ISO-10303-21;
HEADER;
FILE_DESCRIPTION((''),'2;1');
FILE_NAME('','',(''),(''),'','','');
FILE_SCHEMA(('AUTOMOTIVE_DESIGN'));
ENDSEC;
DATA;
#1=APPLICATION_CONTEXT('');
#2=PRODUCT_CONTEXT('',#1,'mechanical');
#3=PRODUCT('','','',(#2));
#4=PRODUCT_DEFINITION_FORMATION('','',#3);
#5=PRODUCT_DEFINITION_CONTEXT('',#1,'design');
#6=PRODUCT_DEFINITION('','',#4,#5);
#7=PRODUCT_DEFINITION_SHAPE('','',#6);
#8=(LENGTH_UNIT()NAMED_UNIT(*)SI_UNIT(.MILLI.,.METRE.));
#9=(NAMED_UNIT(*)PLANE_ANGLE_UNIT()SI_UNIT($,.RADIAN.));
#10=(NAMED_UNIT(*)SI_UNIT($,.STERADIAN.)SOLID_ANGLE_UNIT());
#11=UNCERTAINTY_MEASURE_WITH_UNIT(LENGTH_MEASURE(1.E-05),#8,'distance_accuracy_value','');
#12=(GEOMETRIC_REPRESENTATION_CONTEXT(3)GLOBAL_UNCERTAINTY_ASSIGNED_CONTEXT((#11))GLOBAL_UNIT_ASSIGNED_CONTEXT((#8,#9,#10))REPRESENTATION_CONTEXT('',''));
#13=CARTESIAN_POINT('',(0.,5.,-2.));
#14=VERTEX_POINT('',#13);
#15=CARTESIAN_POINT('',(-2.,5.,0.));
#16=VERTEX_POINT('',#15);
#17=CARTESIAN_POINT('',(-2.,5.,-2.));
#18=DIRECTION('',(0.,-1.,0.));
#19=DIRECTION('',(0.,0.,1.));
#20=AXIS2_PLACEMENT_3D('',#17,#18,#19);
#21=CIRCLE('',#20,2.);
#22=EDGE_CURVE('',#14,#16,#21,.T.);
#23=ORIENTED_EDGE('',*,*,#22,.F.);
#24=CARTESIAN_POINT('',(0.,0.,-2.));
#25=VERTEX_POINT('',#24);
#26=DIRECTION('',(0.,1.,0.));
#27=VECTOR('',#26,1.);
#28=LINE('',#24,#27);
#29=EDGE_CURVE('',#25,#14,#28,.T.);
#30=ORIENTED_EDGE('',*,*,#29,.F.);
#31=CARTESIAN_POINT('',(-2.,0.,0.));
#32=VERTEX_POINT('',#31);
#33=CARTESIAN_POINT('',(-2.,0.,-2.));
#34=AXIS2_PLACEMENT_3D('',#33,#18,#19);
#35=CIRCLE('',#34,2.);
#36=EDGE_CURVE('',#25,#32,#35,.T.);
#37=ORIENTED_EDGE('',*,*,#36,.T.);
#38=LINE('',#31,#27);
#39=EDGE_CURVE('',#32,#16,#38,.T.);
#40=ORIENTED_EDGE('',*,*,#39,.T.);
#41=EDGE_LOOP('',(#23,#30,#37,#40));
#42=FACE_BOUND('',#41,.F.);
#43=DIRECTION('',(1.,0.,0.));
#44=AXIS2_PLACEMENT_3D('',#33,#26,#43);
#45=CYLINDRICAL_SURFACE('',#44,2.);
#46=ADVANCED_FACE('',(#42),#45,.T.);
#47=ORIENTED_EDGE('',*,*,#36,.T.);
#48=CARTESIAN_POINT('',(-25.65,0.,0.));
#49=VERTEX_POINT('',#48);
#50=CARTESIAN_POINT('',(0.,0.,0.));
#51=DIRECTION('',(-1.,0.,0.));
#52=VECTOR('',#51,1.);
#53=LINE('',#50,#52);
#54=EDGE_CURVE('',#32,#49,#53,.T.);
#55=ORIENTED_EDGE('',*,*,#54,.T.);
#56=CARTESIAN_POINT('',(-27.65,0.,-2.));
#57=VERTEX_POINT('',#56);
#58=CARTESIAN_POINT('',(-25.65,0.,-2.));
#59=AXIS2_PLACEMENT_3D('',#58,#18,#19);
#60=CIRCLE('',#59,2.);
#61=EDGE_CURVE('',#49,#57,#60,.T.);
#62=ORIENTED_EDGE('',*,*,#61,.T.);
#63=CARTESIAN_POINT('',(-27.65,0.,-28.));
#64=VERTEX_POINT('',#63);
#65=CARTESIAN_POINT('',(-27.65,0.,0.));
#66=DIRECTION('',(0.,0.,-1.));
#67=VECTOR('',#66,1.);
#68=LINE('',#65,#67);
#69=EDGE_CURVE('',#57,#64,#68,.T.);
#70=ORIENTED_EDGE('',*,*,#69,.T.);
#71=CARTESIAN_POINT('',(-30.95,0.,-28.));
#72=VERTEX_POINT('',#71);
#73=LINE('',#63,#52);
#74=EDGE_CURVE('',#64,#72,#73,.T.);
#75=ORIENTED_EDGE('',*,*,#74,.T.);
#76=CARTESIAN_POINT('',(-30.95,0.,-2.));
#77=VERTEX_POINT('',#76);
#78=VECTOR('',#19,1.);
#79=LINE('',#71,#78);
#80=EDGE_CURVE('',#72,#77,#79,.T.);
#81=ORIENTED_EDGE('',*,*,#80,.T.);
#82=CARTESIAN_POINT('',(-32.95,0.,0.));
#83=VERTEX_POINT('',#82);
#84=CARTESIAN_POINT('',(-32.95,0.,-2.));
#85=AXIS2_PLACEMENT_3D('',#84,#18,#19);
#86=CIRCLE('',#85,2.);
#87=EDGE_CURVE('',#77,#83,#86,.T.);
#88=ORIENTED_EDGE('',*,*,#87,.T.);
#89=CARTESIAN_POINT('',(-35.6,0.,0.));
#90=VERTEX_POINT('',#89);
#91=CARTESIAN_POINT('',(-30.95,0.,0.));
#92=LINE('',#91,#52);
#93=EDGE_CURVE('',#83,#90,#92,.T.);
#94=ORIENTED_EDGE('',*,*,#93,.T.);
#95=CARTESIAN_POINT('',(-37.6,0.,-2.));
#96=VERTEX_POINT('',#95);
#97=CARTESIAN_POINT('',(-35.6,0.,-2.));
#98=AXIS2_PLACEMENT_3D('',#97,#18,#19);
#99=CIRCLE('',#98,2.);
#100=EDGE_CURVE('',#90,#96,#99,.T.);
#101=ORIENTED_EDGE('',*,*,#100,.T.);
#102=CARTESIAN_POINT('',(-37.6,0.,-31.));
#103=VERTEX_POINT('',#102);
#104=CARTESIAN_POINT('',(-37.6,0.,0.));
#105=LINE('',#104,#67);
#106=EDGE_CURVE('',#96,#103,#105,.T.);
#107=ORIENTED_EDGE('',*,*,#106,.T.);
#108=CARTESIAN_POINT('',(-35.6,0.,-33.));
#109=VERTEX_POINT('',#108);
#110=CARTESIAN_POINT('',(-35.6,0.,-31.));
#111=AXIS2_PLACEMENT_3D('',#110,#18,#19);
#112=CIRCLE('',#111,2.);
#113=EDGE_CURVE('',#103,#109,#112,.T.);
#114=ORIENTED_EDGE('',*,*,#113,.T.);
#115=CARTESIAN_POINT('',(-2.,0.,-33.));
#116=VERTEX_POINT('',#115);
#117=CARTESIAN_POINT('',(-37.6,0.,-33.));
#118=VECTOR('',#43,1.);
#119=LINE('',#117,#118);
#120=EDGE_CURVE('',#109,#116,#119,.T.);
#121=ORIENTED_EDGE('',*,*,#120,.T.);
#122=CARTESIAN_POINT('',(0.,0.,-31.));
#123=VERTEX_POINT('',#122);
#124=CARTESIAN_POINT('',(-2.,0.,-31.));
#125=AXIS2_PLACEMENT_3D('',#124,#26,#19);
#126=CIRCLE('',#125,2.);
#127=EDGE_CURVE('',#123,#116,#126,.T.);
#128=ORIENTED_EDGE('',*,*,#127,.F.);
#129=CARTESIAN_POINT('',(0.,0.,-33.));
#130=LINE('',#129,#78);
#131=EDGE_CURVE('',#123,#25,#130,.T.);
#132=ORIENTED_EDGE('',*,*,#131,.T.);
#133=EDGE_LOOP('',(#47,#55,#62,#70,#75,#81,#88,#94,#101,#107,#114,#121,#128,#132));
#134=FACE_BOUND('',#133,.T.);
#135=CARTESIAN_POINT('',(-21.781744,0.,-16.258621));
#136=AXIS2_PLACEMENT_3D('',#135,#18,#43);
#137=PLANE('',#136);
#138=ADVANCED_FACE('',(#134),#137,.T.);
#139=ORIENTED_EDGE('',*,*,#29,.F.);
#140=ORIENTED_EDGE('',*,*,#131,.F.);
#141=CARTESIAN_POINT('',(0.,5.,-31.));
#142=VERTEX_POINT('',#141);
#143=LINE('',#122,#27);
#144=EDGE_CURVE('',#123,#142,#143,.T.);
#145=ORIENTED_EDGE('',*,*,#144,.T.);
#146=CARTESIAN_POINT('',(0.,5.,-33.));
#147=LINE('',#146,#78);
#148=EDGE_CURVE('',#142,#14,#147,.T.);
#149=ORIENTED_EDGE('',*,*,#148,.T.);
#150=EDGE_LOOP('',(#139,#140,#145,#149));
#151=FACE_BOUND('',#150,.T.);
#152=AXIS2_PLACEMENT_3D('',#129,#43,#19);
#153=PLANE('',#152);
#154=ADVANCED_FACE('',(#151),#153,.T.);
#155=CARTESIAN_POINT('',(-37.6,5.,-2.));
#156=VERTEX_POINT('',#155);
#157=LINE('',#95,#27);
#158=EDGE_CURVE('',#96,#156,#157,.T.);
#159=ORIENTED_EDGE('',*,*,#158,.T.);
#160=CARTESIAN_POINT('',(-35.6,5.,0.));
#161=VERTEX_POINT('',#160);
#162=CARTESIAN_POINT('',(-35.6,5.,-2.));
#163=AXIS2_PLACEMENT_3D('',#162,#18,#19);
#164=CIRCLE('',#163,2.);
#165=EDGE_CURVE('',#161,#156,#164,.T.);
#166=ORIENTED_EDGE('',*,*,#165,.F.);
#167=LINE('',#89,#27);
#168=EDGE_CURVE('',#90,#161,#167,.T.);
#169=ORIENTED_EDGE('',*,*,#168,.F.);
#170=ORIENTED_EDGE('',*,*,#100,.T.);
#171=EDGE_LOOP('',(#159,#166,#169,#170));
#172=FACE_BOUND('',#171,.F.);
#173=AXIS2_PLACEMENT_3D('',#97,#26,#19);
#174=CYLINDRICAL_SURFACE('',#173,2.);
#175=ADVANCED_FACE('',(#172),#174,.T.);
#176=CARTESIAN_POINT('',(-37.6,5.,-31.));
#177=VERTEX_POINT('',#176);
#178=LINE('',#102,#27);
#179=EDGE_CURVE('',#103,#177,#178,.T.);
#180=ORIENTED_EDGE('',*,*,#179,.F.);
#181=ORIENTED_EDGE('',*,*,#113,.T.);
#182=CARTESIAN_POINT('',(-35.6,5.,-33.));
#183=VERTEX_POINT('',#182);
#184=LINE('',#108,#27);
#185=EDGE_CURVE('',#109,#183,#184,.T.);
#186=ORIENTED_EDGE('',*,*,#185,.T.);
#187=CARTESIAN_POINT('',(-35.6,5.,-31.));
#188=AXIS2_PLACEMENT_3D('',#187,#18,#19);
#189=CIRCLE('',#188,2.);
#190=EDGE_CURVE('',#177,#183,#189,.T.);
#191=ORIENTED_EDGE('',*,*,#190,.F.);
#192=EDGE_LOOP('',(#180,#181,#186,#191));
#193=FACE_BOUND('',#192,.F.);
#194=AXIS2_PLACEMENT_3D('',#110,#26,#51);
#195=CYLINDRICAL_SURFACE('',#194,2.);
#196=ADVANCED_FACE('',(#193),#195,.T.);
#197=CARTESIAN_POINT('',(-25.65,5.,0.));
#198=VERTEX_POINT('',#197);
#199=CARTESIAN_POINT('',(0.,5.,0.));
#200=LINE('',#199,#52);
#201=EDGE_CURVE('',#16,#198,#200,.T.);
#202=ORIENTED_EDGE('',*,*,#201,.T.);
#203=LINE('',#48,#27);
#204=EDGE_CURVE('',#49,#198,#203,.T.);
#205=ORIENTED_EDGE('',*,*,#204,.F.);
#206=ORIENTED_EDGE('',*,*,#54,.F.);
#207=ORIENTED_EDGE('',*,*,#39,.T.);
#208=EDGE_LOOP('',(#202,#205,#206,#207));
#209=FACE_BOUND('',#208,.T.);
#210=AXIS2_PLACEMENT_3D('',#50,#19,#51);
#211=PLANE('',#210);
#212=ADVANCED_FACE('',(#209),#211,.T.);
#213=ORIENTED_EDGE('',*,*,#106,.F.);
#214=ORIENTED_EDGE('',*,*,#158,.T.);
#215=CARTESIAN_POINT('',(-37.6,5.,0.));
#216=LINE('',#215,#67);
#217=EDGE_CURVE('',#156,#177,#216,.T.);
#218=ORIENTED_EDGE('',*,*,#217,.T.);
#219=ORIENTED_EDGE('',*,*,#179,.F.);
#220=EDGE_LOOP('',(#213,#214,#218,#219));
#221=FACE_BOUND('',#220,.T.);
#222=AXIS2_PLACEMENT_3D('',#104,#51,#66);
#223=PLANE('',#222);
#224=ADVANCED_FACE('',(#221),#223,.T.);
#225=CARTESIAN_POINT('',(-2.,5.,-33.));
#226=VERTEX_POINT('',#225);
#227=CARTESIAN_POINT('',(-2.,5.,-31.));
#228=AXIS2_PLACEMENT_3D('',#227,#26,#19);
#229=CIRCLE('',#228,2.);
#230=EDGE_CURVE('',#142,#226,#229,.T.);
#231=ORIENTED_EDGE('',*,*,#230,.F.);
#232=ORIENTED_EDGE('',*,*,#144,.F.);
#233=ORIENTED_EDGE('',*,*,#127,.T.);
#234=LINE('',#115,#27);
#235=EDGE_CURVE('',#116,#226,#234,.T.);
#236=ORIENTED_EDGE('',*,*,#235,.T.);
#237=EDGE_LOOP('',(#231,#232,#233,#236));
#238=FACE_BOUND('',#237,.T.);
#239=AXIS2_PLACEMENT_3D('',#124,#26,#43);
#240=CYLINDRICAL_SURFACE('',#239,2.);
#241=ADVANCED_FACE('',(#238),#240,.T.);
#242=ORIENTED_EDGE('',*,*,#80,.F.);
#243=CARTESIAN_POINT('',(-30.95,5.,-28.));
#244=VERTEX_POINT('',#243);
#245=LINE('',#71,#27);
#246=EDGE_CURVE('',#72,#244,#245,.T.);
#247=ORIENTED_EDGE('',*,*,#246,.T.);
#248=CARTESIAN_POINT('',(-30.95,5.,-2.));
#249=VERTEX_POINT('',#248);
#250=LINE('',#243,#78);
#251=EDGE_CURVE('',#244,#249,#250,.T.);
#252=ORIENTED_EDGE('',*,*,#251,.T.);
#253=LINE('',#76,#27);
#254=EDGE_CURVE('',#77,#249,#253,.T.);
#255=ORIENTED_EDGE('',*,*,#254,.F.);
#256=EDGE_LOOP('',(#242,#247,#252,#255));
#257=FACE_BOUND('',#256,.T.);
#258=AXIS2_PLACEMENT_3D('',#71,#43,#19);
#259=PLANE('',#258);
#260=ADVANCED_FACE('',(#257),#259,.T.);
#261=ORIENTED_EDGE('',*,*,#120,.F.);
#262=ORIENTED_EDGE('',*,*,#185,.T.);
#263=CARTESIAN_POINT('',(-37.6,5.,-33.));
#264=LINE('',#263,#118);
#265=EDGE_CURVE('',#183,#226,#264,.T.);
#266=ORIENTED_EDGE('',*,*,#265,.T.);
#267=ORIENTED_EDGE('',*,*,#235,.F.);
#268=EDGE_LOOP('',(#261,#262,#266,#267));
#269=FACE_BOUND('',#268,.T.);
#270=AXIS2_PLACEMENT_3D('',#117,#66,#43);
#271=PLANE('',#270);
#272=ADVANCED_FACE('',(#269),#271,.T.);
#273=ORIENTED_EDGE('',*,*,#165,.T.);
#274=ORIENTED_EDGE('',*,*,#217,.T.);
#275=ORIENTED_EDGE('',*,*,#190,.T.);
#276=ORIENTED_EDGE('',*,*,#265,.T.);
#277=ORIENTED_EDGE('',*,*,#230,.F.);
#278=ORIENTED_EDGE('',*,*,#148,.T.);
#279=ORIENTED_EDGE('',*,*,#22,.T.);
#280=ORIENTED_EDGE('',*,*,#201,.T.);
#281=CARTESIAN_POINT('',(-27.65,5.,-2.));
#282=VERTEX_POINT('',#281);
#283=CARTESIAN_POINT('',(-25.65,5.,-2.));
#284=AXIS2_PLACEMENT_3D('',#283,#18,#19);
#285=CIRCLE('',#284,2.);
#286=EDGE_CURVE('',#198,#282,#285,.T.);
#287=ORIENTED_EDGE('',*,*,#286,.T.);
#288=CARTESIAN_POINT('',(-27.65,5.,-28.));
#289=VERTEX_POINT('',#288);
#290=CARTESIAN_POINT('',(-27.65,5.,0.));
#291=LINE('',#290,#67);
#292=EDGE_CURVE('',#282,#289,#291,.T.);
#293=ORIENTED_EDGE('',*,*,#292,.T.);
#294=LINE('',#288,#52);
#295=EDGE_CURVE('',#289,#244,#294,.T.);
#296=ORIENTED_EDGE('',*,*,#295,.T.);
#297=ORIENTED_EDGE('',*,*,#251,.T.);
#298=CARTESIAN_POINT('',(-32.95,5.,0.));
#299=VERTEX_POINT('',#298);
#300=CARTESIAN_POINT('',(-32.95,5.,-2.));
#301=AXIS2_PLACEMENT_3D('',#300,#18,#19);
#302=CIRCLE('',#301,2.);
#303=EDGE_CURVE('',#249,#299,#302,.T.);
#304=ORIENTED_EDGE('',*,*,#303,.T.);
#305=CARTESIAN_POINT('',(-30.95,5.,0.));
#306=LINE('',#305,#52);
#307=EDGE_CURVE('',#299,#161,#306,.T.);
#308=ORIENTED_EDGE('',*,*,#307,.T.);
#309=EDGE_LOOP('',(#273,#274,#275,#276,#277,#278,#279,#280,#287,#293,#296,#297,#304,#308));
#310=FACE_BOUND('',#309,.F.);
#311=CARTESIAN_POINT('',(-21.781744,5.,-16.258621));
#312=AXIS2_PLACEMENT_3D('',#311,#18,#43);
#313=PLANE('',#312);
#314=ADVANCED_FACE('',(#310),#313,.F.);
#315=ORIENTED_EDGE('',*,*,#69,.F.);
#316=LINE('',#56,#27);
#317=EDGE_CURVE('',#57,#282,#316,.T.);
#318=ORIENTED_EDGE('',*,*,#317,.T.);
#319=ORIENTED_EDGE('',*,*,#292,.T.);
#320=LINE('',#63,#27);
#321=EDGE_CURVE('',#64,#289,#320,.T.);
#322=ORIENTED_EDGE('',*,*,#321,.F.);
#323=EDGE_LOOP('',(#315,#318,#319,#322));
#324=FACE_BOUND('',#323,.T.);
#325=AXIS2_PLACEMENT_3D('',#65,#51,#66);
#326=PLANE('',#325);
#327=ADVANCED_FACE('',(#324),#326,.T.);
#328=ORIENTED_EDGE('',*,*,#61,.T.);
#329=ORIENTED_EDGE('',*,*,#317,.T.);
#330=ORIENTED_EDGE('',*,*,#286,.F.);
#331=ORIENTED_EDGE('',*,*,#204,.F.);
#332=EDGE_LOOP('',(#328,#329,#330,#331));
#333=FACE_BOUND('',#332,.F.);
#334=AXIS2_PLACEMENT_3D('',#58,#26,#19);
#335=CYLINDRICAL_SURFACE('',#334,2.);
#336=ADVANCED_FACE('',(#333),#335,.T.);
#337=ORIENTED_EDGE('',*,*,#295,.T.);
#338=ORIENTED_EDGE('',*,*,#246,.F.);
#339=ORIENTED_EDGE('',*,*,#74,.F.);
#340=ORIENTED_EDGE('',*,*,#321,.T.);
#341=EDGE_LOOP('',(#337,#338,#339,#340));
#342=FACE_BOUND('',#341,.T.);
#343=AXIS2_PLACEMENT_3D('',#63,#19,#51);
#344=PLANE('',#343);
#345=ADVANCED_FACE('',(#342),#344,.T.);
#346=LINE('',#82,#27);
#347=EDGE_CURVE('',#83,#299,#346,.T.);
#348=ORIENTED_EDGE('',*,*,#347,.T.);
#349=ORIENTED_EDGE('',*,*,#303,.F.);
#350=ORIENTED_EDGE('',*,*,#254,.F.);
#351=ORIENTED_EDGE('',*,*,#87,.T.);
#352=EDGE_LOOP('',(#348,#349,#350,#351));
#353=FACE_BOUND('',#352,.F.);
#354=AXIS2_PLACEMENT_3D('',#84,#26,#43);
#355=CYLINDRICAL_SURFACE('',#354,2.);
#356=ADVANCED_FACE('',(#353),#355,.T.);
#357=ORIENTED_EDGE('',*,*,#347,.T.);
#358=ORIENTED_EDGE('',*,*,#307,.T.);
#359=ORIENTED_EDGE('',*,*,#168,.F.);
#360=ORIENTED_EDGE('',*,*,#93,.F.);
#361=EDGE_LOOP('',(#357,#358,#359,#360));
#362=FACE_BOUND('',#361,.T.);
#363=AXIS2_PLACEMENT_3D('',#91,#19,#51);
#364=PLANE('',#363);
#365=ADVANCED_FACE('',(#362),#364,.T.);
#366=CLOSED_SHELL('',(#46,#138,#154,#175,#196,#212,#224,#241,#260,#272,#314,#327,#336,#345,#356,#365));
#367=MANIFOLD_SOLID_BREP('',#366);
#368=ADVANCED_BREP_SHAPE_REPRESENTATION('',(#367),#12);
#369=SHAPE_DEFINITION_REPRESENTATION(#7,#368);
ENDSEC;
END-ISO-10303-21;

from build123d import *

# Parameters (mm, degrees)
F1_DEPTH = 5
F2_R     = 2


with BuildPart() as f1:
    # F0 (on Front) → F1 (new body)
    with BuildSketch(Plane.XZ):
        Polygon((0, -33), (0, 0), (-27.65, 0), (-27.65, -28), (-30.95, -28), (-30.95, 0), (-37.6, 0), (-37.6, -33), align=None)
    extrude(amount=-F1_DEPTH)

    # F2
    f2_edges = [f1.edges().sort_by_distance(p)[0] for p in [
        (-37.6, 2.5, 0),
        (-30.95, 2.5, 0),
        (-27.65, 2.5, 0),
        (0, 2.5, 0),
        (0, 2.5, -33),
        (-37.6, 2.5, -33),
    ]]
    fillet(f2_edges, radius=F2_R)


solid = f1.part
